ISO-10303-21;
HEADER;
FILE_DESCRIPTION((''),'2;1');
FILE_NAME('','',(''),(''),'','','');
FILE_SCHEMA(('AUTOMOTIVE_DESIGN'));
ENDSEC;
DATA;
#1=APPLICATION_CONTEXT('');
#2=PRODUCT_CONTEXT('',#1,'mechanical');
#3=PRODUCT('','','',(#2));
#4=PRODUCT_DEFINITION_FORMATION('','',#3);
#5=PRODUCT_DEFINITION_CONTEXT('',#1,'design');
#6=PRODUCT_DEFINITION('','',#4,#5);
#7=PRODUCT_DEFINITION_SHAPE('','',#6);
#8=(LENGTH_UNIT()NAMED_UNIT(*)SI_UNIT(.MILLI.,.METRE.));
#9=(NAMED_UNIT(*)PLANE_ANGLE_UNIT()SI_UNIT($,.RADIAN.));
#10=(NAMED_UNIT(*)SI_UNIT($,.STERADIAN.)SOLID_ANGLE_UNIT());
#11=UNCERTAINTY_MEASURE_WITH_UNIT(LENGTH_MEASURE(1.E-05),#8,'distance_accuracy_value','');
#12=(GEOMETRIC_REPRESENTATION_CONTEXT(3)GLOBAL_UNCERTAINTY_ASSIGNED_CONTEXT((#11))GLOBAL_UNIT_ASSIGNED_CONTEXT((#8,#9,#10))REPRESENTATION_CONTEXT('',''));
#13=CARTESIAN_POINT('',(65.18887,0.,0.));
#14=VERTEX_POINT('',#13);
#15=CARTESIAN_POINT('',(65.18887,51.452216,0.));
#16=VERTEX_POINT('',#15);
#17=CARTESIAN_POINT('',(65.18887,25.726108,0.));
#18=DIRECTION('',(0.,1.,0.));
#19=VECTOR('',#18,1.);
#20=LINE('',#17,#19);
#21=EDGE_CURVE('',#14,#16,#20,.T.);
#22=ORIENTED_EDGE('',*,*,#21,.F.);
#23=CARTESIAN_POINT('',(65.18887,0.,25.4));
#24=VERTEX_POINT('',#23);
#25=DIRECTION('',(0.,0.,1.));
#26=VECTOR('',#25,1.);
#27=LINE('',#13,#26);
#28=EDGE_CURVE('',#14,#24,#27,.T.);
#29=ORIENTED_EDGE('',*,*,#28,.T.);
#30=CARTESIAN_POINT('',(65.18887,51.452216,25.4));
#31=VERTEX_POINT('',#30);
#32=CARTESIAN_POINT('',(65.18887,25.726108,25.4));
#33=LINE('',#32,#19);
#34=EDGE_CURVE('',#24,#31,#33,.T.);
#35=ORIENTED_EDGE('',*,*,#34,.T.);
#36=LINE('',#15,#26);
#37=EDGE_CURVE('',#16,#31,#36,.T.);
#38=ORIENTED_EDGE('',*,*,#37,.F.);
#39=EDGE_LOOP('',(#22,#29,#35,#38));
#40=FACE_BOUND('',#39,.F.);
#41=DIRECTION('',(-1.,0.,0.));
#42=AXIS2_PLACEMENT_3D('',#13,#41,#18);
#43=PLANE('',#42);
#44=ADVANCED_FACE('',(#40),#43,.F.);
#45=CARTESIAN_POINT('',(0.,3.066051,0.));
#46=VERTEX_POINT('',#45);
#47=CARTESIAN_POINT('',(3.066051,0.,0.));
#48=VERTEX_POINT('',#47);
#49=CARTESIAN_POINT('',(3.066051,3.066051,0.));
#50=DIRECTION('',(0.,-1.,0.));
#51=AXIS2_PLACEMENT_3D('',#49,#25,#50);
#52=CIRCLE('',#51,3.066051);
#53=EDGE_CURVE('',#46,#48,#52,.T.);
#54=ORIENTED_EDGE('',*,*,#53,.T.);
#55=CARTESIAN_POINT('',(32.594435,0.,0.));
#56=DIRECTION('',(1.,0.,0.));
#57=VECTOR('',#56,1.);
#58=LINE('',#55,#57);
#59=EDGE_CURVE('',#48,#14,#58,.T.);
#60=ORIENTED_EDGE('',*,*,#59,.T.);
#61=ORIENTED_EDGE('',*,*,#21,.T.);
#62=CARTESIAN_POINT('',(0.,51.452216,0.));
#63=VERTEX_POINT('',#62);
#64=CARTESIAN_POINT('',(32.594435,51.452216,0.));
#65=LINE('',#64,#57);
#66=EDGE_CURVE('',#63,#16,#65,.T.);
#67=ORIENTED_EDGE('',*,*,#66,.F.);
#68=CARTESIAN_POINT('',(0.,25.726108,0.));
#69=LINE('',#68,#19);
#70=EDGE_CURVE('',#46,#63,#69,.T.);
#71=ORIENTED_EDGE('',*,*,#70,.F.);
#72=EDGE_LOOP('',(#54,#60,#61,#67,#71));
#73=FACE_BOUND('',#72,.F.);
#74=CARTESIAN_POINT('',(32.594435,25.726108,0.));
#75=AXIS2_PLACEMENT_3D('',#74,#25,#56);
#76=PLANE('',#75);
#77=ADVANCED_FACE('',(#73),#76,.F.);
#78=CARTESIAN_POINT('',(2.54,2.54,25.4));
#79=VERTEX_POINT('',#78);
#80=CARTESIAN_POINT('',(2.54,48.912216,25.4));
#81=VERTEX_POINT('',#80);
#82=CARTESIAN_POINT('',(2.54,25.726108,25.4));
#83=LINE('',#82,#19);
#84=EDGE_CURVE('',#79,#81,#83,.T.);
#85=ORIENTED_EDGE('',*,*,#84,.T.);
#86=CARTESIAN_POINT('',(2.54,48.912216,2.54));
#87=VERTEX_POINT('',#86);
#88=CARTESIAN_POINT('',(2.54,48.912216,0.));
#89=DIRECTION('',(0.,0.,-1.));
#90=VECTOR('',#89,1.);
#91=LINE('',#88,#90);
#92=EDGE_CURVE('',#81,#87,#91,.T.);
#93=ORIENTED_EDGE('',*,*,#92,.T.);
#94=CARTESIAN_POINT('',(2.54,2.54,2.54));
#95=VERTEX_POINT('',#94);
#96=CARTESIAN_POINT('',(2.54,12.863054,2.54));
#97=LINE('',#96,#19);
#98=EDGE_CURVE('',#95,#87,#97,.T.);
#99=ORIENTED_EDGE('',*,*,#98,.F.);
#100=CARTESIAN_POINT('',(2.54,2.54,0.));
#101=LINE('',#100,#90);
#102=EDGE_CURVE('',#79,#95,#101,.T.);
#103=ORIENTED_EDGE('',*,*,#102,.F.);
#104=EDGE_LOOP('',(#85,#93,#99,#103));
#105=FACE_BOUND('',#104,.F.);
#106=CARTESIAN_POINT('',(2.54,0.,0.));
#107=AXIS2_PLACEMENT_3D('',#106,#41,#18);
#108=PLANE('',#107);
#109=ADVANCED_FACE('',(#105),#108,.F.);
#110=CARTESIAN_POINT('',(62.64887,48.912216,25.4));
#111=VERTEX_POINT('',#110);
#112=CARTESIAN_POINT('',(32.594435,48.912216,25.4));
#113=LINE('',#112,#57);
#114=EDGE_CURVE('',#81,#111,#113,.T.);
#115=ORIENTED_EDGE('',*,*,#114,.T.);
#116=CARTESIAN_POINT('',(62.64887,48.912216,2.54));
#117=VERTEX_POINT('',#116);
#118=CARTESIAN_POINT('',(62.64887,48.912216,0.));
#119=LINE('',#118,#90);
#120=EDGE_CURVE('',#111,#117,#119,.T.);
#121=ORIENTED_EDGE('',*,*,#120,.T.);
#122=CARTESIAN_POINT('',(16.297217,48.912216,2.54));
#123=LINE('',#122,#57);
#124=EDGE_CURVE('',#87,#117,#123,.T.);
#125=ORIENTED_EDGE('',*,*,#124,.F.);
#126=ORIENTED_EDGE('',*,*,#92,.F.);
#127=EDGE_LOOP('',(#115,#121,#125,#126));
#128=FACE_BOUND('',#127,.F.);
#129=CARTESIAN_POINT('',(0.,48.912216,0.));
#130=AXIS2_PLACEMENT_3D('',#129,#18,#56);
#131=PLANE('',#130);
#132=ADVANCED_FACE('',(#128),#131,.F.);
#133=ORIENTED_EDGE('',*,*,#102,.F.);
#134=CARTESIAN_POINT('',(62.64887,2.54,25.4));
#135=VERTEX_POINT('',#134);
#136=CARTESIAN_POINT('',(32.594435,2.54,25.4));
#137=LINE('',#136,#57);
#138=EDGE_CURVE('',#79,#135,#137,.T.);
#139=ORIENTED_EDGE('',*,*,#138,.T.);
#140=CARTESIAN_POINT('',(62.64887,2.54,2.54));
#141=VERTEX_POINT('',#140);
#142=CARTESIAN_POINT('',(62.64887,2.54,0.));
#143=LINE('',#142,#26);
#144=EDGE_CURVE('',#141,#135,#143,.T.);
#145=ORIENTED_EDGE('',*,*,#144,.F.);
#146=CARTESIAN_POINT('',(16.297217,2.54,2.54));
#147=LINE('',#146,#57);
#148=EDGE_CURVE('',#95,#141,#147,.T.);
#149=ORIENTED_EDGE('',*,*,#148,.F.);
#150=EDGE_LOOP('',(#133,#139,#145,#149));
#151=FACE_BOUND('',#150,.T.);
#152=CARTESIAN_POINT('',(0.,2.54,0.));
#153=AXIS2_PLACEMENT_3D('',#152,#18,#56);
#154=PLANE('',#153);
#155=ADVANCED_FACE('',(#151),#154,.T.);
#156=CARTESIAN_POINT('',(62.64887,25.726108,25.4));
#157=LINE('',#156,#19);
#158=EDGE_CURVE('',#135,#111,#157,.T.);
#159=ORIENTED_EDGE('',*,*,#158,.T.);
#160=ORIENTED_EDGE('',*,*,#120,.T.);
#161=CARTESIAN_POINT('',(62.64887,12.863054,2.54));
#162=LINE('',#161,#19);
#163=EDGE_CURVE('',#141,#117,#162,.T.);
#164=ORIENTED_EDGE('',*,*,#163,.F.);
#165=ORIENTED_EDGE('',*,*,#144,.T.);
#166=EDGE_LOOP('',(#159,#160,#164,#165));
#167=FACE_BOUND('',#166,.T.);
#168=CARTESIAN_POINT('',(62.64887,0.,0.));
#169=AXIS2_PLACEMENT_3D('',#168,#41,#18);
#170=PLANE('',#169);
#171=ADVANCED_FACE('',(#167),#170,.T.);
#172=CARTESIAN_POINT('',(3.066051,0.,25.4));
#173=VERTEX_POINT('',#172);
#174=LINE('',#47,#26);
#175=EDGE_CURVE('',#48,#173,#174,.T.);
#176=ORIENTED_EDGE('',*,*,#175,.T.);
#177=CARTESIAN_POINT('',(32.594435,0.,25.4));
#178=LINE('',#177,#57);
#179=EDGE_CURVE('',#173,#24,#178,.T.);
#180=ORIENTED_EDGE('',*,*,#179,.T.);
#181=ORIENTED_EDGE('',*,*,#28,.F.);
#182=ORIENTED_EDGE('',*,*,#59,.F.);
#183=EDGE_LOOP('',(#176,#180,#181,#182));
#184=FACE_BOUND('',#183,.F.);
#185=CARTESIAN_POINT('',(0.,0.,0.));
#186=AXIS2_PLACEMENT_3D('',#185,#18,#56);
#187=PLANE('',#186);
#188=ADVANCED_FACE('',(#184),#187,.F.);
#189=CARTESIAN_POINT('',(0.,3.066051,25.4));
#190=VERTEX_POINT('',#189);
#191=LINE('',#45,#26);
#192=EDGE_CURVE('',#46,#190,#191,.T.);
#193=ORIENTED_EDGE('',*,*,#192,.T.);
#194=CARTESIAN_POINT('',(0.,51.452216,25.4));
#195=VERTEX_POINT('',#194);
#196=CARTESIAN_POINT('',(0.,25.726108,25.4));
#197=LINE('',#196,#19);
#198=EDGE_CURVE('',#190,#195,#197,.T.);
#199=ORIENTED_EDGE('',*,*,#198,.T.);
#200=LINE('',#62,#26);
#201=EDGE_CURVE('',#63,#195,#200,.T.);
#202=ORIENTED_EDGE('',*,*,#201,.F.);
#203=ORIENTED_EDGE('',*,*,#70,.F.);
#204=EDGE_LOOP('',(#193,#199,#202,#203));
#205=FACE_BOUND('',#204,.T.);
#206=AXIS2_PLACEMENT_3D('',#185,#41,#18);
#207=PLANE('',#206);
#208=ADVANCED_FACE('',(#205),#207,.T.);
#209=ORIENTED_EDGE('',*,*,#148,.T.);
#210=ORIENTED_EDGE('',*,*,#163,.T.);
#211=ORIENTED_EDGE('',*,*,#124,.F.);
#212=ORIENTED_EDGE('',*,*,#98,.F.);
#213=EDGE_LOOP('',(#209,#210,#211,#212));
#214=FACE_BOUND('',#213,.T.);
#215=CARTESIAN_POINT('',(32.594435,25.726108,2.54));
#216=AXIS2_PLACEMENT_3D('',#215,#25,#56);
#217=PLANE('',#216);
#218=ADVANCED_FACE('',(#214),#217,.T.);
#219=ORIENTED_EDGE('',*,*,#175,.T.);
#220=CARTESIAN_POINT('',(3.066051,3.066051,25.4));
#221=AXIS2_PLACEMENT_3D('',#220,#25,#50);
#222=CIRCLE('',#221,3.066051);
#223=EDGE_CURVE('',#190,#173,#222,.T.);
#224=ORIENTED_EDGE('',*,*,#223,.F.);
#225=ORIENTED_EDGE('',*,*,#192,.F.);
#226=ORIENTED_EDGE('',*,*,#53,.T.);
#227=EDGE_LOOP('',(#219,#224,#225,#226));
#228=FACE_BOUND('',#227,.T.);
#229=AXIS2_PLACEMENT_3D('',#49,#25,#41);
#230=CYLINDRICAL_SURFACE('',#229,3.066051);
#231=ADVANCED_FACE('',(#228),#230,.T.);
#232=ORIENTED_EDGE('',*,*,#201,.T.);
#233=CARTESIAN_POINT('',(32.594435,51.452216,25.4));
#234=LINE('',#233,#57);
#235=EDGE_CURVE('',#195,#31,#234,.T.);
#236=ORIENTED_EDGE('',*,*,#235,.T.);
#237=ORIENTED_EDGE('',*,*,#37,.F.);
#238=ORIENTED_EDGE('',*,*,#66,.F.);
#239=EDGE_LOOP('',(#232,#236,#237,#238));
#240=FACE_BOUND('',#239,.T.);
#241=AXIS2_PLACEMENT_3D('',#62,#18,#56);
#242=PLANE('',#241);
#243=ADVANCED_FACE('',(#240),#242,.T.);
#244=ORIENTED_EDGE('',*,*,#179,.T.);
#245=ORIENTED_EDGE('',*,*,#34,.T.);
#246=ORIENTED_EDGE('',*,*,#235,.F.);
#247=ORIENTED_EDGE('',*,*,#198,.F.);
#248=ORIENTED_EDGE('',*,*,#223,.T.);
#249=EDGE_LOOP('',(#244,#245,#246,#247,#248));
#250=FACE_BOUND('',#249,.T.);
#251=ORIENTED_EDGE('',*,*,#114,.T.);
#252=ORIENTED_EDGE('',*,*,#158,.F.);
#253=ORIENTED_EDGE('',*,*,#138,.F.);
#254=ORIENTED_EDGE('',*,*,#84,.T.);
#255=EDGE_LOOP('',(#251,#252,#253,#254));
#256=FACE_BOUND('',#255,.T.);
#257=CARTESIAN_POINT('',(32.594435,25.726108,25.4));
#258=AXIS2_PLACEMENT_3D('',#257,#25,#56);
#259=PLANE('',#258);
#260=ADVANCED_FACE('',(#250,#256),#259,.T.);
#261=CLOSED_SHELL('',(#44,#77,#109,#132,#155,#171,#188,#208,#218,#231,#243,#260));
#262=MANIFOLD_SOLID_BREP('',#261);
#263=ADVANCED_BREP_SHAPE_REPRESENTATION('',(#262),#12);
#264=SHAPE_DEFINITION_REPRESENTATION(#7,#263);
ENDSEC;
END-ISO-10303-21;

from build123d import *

# Parameters (mm, degrees)
F0_W     = 65.18887
F0_H     = 51.452216
F1_DEPTH = 25.4
F2_T     = -25.4
F3_T     = -2.54
F4_R     = 3.066051


with BuildPart() as f1:
    # F0 (on Top) → F1 (new body)
    with BuildSketch(Plane.XY):
        with Locations((32.594435, 25.726108)):
            Rectangle(F0_W, F0_H)
    extrude(amount=F1_DEPTH)

    # F2
    f2_openings = [f1.faces().sort_by_distance(p)[0] for p in [
        (32.594435, 25.726108, 25.4),
    ]]
    offset(amount=F2_T, openings=f2_openings)

    # F3
    f3_openings = [f1.faces().sort_by_distance(p)[0] for p in [
        (32.594435, 25.726108, 25.4),
    ]]
    offset(amount=F3_T, openings=f3_openings)

    # F4
    f4_edges = [f1.edges().sort_by_distance(p)[0] for p in [
        (0, 0, 12.7),
    ]]
    fillet(f4_edges, radius=F4_R)


solid = f1.part
